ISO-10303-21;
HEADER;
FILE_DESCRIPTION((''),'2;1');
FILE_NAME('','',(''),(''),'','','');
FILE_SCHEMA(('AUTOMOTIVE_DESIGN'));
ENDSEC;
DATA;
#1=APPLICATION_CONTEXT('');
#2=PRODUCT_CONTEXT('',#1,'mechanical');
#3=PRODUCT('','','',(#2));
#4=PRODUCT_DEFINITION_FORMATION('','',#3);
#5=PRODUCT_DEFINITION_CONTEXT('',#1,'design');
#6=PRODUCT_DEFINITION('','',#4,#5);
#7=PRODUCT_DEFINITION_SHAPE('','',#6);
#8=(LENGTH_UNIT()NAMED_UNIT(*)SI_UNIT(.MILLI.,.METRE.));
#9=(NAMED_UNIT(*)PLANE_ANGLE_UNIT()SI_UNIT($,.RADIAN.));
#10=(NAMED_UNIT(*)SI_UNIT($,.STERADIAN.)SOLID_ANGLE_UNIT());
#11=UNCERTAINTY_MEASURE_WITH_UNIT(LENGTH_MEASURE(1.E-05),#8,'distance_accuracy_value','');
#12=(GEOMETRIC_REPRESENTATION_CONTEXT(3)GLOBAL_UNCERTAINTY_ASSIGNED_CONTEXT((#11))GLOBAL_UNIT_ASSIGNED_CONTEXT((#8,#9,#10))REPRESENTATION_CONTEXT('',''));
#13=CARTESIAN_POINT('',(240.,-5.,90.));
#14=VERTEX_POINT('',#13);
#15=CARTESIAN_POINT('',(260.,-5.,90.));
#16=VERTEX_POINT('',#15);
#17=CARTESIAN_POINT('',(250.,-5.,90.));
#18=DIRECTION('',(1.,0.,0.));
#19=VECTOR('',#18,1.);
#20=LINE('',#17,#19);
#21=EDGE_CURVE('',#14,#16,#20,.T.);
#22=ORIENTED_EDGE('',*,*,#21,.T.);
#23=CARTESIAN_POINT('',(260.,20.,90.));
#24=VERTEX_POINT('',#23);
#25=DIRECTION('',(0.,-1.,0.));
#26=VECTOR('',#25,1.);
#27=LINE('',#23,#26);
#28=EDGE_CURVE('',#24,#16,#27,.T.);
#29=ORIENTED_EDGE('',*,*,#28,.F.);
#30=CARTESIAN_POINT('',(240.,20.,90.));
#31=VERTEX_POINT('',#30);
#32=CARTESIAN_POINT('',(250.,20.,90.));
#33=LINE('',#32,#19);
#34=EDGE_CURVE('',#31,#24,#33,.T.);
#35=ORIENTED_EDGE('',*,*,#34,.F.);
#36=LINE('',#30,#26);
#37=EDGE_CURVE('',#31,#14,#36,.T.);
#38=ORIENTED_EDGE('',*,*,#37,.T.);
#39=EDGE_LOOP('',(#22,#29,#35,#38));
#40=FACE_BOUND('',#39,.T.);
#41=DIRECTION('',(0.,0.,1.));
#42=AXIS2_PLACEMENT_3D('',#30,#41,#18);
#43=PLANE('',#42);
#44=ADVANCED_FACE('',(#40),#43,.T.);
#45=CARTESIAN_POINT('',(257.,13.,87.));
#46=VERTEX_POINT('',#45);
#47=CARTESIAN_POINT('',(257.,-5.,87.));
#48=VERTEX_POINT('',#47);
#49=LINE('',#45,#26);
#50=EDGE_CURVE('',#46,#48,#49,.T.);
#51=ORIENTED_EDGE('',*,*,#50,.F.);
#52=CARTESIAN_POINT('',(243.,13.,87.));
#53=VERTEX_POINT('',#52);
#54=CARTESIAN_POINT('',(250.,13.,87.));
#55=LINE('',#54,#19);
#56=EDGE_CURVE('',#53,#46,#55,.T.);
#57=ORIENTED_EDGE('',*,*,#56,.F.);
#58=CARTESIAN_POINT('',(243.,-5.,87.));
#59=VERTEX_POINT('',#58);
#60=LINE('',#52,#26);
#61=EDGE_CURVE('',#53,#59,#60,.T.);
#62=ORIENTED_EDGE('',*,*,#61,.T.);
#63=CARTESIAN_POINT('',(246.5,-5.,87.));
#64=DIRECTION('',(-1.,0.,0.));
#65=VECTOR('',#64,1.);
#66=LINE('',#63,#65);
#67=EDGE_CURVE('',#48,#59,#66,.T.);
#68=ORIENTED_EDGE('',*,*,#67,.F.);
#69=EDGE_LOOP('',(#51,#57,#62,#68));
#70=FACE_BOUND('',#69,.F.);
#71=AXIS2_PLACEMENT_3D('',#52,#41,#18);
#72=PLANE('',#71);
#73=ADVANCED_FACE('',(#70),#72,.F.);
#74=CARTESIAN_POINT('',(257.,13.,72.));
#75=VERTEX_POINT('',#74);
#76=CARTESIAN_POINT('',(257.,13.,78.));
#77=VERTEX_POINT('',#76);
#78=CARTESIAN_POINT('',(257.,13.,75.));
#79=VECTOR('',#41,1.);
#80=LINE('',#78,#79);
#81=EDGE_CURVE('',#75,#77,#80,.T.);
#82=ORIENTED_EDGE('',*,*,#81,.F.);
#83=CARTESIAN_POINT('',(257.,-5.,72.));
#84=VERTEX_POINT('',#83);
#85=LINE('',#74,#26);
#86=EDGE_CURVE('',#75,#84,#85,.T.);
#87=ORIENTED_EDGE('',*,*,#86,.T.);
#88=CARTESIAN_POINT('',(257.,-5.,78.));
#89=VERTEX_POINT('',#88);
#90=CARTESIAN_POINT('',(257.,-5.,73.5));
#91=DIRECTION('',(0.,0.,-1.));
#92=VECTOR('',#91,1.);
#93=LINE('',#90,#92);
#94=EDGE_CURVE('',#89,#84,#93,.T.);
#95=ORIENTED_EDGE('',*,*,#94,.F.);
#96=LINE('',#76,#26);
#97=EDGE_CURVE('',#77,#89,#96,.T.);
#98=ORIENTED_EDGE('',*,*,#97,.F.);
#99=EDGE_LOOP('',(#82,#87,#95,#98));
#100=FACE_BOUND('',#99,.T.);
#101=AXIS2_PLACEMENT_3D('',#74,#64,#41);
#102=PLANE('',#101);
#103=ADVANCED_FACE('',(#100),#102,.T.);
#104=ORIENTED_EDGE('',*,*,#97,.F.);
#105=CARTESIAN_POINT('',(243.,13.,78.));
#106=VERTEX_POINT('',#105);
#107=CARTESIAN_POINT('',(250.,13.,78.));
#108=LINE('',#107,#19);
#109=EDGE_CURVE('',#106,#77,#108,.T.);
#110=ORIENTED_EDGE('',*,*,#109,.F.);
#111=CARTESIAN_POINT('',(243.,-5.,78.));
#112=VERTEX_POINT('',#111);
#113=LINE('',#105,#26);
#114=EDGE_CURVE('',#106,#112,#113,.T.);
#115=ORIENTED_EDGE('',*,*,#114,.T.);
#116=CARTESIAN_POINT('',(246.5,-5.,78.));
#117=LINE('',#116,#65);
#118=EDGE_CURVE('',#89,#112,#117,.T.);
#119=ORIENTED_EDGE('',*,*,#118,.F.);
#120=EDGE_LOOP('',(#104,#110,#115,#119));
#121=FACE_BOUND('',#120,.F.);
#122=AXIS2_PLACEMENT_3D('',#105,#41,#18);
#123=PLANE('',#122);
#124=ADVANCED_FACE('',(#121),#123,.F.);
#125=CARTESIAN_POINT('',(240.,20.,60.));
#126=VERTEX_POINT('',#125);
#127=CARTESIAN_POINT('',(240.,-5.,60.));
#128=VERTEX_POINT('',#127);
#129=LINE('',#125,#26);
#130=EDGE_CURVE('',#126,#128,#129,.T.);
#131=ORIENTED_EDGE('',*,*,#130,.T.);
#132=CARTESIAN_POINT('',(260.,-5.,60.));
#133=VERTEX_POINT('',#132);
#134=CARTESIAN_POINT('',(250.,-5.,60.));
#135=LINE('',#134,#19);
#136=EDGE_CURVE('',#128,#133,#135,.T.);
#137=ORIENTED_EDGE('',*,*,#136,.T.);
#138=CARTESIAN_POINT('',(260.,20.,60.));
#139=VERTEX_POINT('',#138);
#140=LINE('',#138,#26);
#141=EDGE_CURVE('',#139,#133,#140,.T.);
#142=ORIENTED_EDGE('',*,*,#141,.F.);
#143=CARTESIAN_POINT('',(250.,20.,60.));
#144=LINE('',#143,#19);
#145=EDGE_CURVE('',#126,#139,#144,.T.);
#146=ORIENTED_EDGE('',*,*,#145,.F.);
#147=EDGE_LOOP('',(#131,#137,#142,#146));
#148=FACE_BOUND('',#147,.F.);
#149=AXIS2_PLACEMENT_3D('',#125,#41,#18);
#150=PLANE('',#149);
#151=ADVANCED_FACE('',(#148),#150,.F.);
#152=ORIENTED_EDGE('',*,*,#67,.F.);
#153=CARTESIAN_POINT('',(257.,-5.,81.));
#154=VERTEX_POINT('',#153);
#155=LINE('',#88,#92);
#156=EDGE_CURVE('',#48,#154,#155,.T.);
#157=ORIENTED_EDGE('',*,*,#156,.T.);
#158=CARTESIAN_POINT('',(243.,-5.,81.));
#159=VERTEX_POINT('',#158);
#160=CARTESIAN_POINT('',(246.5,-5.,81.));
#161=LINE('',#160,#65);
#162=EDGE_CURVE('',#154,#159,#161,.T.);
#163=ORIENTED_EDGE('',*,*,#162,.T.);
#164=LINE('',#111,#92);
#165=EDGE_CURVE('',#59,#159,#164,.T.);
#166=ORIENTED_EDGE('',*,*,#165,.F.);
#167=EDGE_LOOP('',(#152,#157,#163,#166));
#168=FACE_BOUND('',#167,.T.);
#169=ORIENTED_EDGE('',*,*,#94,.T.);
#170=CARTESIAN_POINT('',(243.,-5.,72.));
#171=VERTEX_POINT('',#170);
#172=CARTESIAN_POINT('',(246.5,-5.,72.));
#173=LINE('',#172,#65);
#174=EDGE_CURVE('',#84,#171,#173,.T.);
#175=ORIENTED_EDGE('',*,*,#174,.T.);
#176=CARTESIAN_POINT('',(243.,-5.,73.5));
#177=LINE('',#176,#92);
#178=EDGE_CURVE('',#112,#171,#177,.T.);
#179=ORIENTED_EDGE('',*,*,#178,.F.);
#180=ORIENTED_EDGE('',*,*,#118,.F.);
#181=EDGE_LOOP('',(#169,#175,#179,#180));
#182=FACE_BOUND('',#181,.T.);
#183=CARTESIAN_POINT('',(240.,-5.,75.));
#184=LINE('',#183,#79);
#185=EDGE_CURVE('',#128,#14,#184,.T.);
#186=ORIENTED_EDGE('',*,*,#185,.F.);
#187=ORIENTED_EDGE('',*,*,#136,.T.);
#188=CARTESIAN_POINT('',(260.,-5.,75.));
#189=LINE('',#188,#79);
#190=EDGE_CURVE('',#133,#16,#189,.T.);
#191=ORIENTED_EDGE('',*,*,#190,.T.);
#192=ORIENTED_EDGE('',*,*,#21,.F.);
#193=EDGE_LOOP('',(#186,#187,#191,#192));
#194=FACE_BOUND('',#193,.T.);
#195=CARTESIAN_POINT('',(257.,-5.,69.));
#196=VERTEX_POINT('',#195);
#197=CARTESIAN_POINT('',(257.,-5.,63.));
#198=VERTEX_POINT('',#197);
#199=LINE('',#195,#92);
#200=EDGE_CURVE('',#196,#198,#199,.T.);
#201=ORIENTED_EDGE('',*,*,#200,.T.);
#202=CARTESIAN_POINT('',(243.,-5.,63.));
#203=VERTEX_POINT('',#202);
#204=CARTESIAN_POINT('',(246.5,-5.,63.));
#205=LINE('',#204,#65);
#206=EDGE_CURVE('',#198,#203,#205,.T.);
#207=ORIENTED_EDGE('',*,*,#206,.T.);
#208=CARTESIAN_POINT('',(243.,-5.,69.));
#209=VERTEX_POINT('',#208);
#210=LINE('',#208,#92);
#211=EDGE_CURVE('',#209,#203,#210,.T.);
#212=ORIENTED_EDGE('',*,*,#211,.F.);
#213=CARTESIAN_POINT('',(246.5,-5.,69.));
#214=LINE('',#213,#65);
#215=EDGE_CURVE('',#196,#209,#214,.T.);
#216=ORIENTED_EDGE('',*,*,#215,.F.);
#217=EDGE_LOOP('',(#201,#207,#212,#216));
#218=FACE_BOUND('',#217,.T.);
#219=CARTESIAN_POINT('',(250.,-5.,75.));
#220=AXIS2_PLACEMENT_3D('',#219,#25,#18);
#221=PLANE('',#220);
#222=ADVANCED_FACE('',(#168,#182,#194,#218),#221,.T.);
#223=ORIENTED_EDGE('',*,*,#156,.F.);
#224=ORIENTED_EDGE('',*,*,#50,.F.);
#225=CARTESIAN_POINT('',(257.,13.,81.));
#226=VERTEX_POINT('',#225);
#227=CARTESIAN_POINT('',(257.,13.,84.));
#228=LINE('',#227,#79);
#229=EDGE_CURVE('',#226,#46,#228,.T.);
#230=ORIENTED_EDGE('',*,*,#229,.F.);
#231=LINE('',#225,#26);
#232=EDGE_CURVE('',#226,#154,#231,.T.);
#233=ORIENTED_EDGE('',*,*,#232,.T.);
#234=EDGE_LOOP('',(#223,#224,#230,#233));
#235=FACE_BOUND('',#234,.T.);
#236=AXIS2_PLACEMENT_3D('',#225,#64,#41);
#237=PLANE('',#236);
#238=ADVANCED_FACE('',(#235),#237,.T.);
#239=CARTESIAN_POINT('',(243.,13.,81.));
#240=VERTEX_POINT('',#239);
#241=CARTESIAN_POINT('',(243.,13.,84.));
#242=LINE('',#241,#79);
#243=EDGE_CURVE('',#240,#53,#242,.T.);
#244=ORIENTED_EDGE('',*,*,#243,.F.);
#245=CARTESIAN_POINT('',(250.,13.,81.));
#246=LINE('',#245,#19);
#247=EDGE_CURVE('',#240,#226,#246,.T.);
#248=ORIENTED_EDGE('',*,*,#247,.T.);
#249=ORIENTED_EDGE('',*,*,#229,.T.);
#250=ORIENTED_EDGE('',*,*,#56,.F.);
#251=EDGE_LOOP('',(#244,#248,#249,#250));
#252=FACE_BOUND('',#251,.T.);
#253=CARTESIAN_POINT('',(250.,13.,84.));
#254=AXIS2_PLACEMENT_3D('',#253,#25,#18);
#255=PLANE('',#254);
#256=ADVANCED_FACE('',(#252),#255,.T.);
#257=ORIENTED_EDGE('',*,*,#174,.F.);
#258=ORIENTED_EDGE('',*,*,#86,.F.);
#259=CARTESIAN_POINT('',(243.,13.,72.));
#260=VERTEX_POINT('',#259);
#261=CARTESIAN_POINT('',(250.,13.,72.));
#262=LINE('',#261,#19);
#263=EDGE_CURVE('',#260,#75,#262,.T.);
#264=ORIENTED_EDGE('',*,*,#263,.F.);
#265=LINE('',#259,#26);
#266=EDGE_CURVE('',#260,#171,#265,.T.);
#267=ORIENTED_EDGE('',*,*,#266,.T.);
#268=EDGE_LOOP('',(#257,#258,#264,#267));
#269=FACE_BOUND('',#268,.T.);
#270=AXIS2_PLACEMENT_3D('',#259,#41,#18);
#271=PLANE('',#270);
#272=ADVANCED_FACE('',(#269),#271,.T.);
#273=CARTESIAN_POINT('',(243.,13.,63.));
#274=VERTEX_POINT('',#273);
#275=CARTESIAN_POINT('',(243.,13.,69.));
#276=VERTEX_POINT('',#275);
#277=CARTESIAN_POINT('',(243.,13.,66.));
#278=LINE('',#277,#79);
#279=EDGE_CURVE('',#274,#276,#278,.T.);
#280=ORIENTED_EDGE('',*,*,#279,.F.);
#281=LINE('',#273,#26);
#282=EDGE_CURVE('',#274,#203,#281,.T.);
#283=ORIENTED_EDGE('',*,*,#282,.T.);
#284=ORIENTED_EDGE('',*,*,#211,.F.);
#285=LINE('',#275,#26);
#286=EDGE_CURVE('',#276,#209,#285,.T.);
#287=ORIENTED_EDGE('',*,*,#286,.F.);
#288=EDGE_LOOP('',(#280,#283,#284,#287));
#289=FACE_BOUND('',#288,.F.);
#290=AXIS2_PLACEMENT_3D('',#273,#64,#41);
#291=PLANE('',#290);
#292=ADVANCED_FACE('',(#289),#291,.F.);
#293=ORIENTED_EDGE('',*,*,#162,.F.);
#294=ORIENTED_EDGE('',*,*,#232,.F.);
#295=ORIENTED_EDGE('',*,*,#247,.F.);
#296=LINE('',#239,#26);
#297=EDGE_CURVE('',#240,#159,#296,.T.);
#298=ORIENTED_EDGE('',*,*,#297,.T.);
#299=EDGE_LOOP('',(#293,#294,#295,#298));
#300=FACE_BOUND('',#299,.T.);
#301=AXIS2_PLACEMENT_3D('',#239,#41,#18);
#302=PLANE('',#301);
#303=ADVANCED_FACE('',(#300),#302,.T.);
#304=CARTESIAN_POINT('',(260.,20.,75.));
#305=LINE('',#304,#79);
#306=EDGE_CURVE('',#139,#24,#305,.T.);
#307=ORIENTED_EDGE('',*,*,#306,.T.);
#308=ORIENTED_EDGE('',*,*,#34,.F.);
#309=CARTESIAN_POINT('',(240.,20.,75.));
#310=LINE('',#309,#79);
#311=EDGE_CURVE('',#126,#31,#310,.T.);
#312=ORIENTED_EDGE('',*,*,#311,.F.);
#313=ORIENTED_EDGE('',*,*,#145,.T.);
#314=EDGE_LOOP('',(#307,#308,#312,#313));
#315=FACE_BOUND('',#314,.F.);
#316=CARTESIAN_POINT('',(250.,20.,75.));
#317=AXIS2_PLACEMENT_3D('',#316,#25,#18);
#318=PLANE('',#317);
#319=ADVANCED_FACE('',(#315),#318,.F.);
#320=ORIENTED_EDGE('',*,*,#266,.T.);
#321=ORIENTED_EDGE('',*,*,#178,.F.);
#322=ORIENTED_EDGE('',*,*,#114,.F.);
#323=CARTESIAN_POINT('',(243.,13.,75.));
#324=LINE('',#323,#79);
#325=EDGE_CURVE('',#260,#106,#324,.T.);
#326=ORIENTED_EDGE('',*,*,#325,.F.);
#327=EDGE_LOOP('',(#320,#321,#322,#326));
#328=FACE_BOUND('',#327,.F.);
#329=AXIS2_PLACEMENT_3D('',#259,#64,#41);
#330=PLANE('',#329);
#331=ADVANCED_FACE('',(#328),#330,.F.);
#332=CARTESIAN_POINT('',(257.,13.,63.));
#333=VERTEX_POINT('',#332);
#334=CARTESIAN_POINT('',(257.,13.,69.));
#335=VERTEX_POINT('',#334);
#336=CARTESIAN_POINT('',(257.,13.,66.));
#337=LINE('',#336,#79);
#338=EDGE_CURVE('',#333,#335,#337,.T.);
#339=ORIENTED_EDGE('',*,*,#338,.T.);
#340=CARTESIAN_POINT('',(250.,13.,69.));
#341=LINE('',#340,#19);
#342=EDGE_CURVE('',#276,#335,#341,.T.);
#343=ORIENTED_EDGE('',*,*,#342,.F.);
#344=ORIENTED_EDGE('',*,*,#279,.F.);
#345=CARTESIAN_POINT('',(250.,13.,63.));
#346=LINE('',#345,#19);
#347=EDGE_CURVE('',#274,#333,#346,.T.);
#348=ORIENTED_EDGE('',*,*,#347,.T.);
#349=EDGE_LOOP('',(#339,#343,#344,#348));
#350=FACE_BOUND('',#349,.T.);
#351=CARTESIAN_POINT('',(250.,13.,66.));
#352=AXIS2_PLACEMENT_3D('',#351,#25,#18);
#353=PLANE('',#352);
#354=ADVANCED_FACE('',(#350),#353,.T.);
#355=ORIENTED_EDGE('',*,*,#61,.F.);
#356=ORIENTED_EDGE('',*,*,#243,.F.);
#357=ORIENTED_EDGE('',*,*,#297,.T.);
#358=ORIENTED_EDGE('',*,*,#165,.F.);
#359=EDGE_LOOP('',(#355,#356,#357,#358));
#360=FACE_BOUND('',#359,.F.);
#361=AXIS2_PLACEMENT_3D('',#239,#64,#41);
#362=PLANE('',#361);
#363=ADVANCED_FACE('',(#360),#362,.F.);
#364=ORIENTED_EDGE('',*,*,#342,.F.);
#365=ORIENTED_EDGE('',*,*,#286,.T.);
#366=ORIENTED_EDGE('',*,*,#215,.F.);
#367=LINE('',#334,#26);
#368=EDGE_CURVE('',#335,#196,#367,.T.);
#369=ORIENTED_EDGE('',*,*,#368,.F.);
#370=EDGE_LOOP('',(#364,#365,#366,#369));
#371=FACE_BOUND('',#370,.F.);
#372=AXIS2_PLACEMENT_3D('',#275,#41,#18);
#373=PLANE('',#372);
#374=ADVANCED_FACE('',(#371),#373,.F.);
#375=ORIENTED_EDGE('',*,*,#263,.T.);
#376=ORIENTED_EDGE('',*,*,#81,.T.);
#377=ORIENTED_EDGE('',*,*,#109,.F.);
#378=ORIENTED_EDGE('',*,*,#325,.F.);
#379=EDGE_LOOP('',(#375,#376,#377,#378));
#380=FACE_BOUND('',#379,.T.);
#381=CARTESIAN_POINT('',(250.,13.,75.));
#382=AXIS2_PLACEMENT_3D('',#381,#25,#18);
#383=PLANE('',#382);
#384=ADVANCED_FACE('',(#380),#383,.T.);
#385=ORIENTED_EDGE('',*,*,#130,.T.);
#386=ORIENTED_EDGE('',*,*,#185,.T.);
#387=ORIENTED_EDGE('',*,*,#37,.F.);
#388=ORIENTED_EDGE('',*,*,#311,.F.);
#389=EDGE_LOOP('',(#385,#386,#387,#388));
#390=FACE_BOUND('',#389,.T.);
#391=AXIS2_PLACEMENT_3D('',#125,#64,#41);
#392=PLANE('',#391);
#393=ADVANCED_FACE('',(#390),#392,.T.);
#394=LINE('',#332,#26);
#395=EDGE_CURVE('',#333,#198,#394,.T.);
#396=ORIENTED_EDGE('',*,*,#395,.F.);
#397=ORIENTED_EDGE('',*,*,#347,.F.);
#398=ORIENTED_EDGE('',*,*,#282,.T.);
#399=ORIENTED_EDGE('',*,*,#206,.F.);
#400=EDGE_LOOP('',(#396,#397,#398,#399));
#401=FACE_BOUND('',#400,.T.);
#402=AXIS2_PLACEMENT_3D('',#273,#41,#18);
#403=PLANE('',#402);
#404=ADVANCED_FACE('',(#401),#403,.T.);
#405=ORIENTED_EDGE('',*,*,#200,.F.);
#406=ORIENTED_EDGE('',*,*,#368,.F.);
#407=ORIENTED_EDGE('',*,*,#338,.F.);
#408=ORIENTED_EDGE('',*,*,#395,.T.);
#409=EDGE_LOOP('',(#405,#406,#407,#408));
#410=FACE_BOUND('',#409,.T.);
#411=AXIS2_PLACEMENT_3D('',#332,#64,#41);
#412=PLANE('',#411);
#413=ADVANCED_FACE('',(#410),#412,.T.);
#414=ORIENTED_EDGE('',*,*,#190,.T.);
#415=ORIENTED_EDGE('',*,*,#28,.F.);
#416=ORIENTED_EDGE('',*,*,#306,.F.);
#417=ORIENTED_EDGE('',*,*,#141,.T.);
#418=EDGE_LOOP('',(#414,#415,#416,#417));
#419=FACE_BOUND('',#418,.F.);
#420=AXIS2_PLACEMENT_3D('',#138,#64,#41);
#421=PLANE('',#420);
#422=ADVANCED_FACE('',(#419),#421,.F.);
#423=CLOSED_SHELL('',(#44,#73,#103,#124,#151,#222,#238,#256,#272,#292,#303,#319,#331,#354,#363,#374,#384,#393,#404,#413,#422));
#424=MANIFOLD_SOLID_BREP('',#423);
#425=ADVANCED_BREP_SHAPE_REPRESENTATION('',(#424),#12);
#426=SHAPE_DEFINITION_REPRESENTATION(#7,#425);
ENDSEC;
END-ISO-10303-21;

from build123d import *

# Parameters (mm, degrees)
BOX020_W          = 14
BOX020_H          = 6
BOX020_DEPTH      = 20
BOX020_ROLL_ANGLE = 90
BOX021_W          = 14
BOX021_H          = 6
BOX021_DEPTH      = 20
BOX021_ROLL_ANGLE = 90
BOX019_W          = 14
BOX019_H          = 6
BOX019_DEPTH      = 20
BOX019_ROLL_ANGLE = 90
BOX018_W          = 20
BOX018_H          = 30
BOX018_DEPTH      = 25
BOX018_ROLL_ANGLE = 90


with BuildPart() as usb_plug002:
    # Box020 → Box020 (new body)
    with BuildSketch(Plane.XY):
        with Locations((7, 3)):
            Rectangle(BOX020_W, BOX020_H)
    extrude(amount=BOX020_DEPTH)


with BuildPart() as usb_plug002_1:
    # Box020 roll: moved
    add(usb_plug002.part.rotate(Axis((0, 0, 0), (1, 0, 0)), BOX020_ROLL_ANGLE))


with BuildPart() as usb_plug002_2:
    # Box020 placement: moved
    add(usb_plug002_1.part.moved(Location((243, 13, 112))))


with BuildPart() as usb_plug003:
    # Box021 → Box021 (new body)
    with BuildSketch(Plane.XY):
        with Locations((7, 3)):
            Rectangle(BOX021_W, BOX021_H)
    extrude(amount=BOX021_DEPTH)


with BuildPart() as usb_plug003_1:
    # Box021 roll: moved
    add(usb_plug003.part.rotate(Axis((0, 0, 0), (1, 0, 0)), BOX021_ROLL_ANGLE))


with BuildPart() as usb_plug003_2:
    # Box021 placement: moved
    add(usb_plug003_1.part.moved(Location((243, 13, 121))))


with BuildPart() as usb_plug001:
    # Box019 → Box019 (new body)
    with BuildSketch(Plane.XY):
        with Locations((7, 3)):
            Rectangle(BOX019_W, BOX019_H)
    extrude(amount=BOX019_DEPTH)


with BuildPart() as usb_plug001_1:
    # Box019 roll: moved
    add(usb_plug001.part.rotate(Axis((0, 0, 0), (1, 0, 0)), BOX019_ROLL_ANGLE))


with BuildPart() as usb_plug001_2:
    # Box019 placement: moved
    add(usb_plug001_1.part.moved(Location((243, 13, 103))))


with BuildPart() as usb_plug:
    # Box018 → Box018 (new body)
    with BuildSketch(Plane.XY):
        with Locations((10, 15)):
            Rectangle(BOX018_W, BOX018_H)
    extrude(amount=BOX018_DEPTH)


with BuildPart() as usb_plug_1:
    # Box018 roll: moved
    add(usb_plug.part.rotate(Axis((0, 0, 0), (1, 0, 0)), BOX018_ROLL_ANGLE))


with BuildPart() as usb_plug_2:
    # Box018 placement: moved
    add(usb_plug_1.part.moved(Location((240, 20, 100))))

    # Cut012: cut USB Plug001
    add(usb_plug001_2.part, mode=Mode.SUBTRACT)

    # Cut013: cut USB Plug003
    add(usb_plug003_2.part, mode=Mode.SUBTRACT)

    # Cut014: cut USB Plug002
    add(usb_plug002_2.part, mode=Mode.SUBTRACT)


with BuildPart() as usb_plug_3:
    # Cut014 placement: moved
    add(usb_plug_2.part.moved(Location((0, 0, -40))))


solid = usb_plug_3.part
